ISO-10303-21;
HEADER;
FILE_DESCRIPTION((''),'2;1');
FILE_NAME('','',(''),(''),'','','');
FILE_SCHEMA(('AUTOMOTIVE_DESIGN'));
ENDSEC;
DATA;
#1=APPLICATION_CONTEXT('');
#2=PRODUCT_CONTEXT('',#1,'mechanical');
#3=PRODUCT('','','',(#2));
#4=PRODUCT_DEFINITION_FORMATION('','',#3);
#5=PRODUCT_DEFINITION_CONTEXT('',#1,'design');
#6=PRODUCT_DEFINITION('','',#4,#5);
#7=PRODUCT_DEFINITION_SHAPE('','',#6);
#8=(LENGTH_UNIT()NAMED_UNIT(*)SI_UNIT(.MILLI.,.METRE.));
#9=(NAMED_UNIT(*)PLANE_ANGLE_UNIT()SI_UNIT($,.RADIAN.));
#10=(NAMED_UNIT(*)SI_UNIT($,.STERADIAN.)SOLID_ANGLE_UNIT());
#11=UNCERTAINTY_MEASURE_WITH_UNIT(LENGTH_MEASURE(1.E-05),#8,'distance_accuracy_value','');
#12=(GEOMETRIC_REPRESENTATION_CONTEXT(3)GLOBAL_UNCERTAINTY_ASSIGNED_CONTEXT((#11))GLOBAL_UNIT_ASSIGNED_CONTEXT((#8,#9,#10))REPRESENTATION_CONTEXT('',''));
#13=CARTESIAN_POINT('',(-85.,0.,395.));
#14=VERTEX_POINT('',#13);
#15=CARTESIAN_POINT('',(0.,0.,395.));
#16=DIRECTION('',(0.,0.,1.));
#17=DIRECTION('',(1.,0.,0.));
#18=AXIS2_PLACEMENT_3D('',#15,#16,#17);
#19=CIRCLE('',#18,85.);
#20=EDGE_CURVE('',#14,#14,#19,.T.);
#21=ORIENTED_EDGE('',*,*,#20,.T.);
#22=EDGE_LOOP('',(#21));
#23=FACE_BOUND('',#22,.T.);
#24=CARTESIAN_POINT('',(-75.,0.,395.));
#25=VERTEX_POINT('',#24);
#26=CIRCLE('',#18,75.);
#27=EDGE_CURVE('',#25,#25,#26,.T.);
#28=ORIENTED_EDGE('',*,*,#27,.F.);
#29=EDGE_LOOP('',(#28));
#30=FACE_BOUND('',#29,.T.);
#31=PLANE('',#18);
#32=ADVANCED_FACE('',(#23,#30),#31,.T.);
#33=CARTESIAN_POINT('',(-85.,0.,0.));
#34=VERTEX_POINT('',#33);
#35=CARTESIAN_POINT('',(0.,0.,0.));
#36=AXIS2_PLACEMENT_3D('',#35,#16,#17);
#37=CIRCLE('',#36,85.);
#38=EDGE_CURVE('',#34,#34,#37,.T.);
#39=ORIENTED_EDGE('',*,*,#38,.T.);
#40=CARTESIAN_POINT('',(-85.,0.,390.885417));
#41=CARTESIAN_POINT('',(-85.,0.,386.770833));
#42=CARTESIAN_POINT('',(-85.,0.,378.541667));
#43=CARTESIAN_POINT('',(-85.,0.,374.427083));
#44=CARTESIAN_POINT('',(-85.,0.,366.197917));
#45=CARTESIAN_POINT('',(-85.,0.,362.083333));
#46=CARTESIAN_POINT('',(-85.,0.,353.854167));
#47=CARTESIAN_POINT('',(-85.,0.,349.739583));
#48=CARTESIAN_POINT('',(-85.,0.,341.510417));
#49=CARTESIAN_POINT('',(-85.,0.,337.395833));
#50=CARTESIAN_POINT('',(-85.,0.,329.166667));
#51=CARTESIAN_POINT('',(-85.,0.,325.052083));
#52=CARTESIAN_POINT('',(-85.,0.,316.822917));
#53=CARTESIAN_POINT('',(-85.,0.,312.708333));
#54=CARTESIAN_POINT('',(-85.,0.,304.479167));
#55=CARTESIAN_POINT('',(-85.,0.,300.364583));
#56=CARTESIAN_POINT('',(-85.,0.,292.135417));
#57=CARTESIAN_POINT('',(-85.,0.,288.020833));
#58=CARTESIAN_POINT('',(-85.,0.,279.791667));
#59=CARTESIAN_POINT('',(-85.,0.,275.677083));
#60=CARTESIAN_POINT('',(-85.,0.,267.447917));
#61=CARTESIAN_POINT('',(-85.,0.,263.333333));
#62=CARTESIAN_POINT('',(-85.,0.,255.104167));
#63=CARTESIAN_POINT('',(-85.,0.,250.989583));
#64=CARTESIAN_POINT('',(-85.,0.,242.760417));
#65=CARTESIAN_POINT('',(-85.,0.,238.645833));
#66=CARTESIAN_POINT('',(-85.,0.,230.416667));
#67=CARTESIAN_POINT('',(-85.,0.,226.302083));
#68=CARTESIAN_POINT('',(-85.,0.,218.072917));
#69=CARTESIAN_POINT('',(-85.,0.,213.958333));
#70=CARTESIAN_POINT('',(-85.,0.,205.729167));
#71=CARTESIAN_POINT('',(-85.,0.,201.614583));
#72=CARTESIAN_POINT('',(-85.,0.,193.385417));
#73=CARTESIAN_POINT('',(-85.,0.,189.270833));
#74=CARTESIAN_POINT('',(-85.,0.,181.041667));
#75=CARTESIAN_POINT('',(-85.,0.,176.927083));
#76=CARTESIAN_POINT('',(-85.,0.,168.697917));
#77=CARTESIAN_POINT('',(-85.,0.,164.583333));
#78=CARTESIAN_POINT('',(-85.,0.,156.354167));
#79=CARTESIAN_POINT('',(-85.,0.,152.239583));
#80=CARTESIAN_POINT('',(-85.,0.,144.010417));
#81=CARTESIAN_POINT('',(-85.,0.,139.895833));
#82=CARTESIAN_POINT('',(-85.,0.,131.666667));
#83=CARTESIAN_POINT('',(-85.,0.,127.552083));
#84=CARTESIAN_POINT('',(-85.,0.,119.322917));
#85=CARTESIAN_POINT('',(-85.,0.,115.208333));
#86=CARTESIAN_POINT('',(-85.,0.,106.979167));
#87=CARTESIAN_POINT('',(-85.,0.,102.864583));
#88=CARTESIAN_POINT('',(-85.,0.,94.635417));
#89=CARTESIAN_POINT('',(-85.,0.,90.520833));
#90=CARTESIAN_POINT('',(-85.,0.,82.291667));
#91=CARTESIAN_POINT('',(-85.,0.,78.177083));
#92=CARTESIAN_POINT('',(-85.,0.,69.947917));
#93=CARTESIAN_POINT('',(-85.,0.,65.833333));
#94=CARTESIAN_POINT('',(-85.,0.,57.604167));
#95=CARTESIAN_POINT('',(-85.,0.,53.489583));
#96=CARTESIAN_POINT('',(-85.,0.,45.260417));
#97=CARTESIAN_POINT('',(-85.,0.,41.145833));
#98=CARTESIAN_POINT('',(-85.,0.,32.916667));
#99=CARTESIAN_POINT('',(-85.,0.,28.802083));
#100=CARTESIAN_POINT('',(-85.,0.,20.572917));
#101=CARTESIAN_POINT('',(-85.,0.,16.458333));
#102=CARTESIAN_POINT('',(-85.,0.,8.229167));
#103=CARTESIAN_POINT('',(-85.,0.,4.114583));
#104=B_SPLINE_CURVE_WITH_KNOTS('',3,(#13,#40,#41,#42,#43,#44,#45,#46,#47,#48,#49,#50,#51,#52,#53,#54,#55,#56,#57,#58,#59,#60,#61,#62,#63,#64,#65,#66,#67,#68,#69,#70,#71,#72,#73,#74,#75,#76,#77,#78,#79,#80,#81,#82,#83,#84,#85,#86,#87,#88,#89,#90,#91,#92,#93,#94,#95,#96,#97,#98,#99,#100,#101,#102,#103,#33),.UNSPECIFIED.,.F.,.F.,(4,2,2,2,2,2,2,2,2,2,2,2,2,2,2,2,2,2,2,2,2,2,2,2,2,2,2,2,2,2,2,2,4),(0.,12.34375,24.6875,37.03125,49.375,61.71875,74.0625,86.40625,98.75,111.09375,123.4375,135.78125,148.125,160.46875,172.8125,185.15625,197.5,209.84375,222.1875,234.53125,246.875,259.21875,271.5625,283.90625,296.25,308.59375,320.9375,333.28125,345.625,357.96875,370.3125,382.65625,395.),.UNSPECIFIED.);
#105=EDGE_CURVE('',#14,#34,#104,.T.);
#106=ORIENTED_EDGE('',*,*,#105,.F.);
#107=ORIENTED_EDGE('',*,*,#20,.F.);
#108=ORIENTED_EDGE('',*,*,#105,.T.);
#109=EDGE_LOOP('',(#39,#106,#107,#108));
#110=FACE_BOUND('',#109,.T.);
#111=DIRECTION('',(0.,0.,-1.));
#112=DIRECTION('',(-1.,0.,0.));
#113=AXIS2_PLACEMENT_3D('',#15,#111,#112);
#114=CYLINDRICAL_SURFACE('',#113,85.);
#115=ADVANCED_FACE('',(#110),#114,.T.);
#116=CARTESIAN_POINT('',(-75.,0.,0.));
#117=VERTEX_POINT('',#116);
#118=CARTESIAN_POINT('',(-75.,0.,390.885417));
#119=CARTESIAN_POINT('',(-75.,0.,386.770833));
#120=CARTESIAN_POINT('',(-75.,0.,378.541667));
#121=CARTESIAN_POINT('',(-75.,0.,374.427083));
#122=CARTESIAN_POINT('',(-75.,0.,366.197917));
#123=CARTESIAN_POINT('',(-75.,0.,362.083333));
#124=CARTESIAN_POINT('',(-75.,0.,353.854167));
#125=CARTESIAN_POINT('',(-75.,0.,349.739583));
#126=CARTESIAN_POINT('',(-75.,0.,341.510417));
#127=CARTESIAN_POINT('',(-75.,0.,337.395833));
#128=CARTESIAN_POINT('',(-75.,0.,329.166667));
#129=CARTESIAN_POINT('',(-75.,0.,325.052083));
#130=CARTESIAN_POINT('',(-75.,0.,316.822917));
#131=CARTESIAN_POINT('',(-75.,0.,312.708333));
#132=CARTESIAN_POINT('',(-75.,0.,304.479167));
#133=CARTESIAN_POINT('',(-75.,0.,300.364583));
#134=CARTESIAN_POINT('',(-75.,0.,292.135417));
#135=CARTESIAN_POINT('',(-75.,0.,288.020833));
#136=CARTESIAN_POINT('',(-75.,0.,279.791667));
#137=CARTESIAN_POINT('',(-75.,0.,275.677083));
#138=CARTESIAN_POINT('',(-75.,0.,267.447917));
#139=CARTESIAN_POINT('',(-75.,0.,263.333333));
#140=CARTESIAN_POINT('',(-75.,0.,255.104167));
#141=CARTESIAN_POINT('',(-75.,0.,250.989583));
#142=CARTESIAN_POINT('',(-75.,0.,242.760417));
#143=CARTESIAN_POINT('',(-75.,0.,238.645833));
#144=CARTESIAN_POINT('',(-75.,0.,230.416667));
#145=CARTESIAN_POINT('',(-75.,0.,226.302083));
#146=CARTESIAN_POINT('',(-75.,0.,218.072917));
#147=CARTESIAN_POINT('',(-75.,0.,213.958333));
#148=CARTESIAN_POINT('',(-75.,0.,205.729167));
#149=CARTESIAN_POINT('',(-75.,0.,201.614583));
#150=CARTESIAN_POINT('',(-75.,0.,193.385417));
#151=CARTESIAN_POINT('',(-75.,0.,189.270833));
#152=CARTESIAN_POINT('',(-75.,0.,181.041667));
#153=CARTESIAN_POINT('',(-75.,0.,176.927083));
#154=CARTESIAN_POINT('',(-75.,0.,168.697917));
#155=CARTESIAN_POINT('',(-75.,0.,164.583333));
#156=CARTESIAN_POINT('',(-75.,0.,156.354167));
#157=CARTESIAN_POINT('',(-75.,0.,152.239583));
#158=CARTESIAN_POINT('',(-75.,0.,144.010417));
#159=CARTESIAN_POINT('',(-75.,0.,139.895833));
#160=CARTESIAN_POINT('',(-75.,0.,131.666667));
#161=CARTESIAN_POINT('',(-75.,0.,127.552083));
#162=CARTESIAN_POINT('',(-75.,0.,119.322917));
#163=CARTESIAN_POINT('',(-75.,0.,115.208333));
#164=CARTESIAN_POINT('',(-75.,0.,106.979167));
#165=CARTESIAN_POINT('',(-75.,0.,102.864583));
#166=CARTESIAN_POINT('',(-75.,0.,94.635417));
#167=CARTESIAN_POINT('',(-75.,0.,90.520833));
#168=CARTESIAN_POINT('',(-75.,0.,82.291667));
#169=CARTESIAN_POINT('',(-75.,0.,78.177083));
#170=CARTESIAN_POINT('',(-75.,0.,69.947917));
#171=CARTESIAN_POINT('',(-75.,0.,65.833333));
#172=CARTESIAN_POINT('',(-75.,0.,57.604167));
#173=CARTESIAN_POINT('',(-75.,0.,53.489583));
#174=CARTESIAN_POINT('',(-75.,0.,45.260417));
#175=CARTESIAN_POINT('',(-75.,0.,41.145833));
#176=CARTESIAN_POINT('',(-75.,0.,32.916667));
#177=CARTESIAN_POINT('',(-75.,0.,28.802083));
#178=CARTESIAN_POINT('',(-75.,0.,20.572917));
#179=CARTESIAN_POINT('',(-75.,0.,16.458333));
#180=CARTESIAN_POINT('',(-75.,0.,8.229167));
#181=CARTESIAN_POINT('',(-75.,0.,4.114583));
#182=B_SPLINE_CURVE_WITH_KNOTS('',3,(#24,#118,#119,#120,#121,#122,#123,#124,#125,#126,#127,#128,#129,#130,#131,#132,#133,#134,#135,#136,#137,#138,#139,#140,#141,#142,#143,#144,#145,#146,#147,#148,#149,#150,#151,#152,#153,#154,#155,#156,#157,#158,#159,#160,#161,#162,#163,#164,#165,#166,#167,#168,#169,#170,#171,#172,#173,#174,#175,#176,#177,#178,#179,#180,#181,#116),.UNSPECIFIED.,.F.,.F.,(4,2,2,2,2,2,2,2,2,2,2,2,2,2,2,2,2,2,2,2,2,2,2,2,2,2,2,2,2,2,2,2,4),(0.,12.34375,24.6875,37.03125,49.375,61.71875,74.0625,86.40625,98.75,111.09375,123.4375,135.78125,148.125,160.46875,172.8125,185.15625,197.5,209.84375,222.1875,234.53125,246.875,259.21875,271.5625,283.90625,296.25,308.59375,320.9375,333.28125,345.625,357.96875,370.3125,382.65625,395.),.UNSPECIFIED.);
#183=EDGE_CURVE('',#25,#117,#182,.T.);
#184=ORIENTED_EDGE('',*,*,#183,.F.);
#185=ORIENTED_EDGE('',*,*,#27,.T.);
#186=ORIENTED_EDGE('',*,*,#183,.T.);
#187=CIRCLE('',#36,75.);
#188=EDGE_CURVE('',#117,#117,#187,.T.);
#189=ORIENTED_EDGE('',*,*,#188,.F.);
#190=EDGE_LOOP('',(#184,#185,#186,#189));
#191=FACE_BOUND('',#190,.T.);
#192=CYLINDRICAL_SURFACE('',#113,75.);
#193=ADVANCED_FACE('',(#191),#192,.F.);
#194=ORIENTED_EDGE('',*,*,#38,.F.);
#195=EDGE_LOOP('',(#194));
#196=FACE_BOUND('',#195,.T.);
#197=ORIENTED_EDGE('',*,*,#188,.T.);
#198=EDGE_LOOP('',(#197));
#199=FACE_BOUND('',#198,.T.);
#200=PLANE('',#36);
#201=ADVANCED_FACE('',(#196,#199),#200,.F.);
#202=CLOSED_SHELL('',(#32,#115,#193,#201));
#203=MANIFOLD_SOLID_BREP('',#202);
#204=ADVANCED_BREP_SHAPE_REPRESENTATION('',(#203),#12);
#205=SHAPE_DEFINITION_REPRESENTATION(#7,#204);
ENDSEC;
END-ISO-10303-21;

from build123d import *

# Parameters (mm, degrees)
SKETCH1_R           = 85
SKETCH1_R_2         = 75
BOSS_EXTRUDE1_DEPTH = 395


with BuildPart() as part:
    # Sketch1 → Boss-Extrude1 (new body)
    with BuildSketch(Plane.XY):
        with Locations(Location((0, 0, 0), (0, 0, 180))):
            Circle(SKETCH1_R)
        with Locations(Location((0, 0, 0), (0, 0, 180))):
            Circle(SKETCH1_R_2, mode=Mode.SUBTRACT)
    extrude(amount=BOSS_EXTRUDE1_DEPTH)


solid = part.part
